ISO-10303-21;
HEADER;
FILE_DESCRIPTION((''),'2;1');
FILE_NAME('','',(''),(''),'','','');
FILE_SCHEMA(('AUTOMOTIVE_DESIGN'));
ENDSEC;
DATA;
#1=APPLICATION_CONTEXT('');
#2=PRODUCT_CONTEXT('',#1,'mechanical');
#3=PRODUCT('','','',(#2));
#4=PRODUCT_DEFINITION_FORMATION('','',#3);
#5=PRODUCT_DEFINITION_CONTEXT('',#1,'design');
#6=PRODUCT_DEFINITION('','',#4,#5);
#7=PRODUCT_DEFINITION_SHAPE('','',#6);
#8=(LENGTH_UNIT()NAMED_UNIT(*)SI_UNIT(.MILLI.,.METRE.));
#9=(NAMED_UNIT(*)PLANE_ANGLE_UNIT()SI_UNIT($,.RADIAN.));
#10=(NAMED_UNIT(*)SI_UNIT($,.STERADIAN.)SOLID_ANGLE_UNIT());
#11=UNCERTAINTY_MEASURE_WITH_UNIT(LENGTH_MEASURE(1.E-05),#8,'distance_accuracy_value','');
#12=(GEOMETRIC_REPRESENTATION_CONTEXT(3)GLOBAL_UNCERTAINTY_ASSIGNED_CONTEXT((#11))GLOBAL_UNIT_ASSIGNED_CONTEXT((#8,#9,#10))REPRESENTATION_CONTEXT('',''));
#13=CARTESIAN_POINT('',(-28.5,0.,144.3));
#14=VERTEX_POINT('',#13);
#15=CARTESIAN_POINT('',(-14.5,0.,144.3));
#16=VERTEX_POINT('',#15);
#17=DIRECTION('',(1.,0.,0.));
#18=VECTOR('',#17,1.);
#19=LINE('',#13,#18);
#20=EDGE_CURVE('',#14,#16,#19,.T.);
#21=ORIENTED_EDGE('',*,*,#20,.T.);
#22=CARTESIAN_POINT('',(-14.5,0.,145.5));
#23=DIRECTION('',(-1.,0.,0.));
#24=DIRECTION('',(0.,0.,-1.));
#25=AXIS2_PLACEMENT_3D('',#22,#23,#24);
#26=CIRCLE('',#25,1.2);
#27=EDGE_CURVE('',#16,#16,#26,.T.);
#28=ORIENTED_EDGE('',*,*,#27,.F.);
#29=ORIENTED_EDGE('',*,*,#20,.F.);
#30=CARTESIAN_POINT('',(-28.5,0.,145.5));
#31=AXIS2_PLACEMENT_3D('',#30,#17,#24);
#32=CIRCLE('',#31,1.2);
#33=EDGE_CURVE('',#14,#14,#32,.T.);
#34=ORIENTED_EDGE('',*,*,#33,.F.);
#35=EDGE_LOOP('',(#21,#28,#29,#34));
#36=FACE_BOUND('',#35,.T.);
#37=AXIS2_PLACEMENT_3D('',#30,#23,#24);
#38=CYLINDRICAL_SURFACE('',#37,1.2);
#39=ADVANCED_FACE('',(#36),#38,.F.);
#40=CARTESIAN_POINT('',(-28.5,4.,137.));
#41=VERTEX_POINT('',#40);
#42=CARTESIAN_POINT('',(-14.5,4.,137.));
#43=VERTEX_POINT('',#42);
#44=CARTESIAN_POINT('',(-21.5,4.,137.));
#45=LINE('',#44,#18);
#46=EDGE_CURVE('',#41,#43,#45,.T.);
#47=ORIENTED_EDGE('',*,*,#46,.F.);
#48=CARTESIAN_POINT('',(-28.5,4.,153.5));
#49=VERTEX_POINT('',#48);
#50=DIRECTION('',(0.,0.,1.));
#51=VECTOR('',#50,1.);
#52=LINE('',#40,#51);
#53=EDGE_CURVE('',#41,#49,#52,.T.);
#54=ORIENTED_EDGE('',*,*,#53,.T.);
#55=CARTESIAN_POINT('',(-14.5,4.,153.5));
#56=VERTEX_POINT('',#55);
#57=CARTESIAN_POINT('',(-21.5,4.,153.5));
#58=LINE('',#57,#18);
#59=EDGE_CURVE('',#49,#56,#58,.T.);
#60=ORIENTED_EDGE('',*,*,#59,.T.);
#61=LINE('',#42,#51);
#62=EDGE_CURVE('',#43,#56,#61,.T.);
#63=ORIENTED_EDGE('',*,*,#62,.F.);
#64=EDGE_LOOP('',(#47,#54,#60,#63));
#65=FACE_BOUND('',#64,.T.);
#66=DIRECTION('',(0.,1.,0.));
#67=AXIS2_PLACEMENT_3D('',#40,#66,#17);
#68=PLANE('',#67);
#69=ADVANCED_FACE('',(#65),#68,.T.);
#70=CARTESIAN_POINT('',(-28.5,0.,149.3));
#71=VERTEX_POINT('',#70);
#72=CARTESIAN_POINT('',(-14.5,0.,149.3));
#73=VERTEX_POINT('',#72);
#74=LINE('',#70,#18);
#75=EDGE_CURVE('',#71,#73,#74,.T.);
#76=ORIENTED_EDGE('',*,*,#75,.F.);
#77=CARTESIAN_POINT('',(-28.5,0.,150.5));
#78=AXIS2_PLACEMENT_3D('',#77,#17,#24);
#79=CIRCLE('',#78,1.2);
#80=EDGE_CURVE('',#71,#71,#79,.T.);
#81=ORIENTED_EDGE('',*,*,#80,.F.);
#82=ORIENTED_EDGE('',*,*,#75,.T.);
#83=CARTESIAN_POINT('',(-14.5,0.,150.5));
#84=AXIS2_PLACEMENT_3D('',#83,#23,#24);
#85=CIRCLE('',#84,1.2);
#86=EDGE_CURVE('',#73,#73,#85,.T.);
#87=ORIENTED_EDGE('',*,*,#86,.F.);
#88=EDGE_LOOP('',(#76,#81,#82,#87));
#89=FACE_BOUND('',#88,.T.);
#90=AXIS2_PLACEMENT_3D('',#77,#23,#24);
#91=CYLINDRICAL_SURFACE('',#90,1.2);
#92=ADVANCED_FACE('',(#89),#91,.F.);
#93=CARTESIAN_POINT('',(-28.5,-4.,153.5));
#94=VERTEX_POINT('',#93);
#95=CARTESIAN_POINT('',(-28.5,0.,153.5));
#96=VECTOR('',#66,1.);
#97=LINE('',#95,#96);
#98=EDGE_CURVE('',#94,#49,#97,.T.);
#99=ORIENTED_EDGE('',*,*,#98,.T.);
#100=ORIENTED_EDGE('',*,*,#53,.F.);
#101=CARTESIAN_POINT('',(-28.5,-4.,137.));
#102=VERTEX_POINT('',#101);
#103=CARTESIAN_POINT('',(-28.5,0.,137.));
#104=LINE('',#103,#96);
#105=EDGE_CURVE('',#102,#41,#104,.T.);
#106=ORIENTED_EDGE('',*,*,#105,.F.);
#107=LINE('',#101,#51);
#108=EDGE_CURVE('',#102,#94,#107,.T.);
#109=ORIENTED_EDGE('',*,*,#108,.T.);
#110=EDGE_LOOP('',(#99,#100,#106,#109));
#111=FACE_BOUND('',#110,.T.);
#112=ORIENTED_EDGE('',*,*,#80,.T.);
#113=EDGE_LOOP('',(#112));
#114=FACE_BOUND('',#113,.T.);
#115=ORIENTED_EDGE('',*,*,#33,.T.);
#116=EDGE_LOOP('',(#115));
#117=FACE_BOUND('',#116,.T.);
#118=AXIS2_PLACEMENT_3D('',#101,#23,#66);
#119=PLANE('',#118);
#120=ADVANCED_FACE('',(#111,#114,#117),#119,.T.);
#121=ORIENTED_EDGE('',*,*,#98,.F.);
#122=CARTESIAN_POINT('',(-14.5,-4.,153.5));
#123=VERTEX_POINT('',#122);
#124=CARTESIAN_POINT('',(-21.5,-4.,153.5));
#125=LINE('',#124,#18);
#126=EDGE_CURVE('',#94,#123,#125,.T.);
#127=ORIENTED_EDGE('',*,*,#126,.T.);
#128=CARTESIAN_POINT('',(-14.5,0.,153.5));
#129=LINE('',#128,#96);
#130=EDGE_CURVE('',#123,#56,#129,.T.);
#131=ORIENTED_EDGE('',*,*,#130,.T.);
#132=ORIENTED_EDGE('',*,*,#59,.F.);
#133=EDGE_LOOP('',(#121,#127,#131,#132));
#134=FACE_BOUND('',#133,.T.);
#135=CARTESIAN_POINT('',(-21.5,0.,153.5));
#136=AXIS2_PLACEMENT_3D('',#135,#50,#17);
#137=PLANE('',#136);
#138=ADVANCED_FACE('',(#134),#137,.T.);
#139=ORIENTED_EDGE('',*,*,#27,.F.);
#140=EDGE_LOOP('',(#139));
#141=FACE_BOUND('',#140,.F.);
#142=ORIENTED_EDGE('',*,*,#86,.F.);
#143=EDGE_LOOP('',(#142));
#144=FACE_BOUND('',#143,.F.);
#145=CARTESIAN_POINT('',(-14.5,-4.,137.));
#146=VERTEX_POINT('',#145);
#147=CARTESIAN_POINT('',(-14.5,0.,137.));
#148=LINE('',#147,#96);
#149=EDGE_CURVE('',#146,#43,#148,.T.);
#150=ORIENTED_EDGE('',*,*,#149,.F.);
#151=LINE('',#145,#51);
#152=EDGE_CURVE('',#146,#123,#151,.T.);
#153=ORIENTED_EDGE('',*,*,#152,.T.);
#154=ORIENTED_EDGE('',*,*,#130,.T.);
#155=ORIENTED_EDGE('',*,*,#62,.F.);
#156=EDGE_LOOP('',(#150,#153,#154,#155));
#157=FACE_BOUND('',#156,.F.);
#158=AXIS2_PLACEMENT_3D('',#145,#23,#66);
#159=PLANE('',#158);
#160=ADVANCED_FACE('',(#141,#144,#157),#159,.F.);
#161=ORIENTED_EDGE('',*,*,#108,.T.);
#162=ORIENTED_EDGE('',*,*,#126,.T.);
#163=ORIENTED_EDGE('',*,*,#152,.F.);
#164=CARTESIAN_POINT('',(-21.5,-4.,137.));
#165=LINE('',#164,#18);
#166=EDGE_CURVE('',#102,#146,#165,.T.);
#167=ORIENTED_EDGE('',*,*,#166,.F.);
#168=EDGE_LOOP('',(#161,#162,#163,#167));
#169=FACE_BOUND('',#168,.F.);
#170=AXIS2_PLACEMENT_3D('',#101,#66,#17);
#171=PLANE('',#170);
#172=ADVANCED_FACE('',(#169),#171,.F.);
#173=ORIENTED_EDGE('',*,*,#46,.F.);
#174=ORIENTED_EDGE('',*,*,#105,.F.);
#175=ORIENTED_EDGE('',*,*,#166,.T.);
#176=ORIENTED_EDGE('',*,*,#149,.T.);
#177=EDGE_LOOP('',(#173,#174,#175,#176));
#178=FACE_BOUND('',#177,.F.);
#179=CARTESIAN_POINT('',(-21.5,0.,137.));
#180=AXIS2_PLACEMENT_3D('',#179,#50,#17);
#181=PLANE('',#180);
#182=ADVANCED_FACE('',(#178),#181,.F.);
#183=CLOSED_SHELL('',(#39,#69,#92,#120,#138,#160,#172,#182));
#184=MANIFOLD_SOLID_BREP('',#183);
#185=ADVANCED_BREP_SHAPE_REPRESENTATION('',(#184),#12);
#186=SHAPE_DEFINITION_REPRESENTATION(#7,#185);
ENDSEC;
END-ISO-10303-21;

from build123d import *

# Parameters (mm, degrees)
CYLINDER026_R     = 1.2
CYLINDER026_DEPTH = 18.5
CYLINDER027_R     = 1.2
CYLINDER027_DEPTH = 18.5
BOX022_W          = 14
BOX022_H          = 8
BOX022_DEPTH      = 16.5


with BuildPart() as safetybuttonshookscrewcutter:
    # Cylinder026 → Cylinder026 (new body)
    with BuildSketch(Plane(origin=(-28.5, 0, 150.5), x_dir=(0, 0, -1), z_dir=(1, 0, 0))):
        Circle(CYLINDER026_R)
    extrude(amount=CYLINDER026_DEPTH)


with BuildPart() as safetybuttonhookescrewcutters:
    # Cylinder027 → Cylinder027 (new body)
    with BuildSketch(Plane(origin=(-28.5, 0, 145.5), x_dir=(0, 0, -1), z_dir=(1, 0, 0))):
        Circle(CYLINDER027_R)
    extrude(amount=CYLINDER027_DEPTH)

    # Fusion013: union SafetyButtonsHookScrewCutter
    add(safetybuttonshookscrewcutter.part)


with BuildPart() as safetybuttonimpressor1:
    # Box022 → Box022 (new body)
    with BuildSketch(Plane(origin=(-28.5, -4, 137), x_dir=(1, 0, 0), z_dir=(0, 0, 1))):
        with Locations((7, 4)):
            Rectangle(BOX022_W, BOX022_H)
    extrude(amount=BOX022_DEPTH)

    # Cut051: cut SafetyButtonHookeScrewCutters
    add(safetybuttonhookescrewcutters.part, mode=Mode.SUBTRACT)


solid = safetybuttonimpressor1.part
